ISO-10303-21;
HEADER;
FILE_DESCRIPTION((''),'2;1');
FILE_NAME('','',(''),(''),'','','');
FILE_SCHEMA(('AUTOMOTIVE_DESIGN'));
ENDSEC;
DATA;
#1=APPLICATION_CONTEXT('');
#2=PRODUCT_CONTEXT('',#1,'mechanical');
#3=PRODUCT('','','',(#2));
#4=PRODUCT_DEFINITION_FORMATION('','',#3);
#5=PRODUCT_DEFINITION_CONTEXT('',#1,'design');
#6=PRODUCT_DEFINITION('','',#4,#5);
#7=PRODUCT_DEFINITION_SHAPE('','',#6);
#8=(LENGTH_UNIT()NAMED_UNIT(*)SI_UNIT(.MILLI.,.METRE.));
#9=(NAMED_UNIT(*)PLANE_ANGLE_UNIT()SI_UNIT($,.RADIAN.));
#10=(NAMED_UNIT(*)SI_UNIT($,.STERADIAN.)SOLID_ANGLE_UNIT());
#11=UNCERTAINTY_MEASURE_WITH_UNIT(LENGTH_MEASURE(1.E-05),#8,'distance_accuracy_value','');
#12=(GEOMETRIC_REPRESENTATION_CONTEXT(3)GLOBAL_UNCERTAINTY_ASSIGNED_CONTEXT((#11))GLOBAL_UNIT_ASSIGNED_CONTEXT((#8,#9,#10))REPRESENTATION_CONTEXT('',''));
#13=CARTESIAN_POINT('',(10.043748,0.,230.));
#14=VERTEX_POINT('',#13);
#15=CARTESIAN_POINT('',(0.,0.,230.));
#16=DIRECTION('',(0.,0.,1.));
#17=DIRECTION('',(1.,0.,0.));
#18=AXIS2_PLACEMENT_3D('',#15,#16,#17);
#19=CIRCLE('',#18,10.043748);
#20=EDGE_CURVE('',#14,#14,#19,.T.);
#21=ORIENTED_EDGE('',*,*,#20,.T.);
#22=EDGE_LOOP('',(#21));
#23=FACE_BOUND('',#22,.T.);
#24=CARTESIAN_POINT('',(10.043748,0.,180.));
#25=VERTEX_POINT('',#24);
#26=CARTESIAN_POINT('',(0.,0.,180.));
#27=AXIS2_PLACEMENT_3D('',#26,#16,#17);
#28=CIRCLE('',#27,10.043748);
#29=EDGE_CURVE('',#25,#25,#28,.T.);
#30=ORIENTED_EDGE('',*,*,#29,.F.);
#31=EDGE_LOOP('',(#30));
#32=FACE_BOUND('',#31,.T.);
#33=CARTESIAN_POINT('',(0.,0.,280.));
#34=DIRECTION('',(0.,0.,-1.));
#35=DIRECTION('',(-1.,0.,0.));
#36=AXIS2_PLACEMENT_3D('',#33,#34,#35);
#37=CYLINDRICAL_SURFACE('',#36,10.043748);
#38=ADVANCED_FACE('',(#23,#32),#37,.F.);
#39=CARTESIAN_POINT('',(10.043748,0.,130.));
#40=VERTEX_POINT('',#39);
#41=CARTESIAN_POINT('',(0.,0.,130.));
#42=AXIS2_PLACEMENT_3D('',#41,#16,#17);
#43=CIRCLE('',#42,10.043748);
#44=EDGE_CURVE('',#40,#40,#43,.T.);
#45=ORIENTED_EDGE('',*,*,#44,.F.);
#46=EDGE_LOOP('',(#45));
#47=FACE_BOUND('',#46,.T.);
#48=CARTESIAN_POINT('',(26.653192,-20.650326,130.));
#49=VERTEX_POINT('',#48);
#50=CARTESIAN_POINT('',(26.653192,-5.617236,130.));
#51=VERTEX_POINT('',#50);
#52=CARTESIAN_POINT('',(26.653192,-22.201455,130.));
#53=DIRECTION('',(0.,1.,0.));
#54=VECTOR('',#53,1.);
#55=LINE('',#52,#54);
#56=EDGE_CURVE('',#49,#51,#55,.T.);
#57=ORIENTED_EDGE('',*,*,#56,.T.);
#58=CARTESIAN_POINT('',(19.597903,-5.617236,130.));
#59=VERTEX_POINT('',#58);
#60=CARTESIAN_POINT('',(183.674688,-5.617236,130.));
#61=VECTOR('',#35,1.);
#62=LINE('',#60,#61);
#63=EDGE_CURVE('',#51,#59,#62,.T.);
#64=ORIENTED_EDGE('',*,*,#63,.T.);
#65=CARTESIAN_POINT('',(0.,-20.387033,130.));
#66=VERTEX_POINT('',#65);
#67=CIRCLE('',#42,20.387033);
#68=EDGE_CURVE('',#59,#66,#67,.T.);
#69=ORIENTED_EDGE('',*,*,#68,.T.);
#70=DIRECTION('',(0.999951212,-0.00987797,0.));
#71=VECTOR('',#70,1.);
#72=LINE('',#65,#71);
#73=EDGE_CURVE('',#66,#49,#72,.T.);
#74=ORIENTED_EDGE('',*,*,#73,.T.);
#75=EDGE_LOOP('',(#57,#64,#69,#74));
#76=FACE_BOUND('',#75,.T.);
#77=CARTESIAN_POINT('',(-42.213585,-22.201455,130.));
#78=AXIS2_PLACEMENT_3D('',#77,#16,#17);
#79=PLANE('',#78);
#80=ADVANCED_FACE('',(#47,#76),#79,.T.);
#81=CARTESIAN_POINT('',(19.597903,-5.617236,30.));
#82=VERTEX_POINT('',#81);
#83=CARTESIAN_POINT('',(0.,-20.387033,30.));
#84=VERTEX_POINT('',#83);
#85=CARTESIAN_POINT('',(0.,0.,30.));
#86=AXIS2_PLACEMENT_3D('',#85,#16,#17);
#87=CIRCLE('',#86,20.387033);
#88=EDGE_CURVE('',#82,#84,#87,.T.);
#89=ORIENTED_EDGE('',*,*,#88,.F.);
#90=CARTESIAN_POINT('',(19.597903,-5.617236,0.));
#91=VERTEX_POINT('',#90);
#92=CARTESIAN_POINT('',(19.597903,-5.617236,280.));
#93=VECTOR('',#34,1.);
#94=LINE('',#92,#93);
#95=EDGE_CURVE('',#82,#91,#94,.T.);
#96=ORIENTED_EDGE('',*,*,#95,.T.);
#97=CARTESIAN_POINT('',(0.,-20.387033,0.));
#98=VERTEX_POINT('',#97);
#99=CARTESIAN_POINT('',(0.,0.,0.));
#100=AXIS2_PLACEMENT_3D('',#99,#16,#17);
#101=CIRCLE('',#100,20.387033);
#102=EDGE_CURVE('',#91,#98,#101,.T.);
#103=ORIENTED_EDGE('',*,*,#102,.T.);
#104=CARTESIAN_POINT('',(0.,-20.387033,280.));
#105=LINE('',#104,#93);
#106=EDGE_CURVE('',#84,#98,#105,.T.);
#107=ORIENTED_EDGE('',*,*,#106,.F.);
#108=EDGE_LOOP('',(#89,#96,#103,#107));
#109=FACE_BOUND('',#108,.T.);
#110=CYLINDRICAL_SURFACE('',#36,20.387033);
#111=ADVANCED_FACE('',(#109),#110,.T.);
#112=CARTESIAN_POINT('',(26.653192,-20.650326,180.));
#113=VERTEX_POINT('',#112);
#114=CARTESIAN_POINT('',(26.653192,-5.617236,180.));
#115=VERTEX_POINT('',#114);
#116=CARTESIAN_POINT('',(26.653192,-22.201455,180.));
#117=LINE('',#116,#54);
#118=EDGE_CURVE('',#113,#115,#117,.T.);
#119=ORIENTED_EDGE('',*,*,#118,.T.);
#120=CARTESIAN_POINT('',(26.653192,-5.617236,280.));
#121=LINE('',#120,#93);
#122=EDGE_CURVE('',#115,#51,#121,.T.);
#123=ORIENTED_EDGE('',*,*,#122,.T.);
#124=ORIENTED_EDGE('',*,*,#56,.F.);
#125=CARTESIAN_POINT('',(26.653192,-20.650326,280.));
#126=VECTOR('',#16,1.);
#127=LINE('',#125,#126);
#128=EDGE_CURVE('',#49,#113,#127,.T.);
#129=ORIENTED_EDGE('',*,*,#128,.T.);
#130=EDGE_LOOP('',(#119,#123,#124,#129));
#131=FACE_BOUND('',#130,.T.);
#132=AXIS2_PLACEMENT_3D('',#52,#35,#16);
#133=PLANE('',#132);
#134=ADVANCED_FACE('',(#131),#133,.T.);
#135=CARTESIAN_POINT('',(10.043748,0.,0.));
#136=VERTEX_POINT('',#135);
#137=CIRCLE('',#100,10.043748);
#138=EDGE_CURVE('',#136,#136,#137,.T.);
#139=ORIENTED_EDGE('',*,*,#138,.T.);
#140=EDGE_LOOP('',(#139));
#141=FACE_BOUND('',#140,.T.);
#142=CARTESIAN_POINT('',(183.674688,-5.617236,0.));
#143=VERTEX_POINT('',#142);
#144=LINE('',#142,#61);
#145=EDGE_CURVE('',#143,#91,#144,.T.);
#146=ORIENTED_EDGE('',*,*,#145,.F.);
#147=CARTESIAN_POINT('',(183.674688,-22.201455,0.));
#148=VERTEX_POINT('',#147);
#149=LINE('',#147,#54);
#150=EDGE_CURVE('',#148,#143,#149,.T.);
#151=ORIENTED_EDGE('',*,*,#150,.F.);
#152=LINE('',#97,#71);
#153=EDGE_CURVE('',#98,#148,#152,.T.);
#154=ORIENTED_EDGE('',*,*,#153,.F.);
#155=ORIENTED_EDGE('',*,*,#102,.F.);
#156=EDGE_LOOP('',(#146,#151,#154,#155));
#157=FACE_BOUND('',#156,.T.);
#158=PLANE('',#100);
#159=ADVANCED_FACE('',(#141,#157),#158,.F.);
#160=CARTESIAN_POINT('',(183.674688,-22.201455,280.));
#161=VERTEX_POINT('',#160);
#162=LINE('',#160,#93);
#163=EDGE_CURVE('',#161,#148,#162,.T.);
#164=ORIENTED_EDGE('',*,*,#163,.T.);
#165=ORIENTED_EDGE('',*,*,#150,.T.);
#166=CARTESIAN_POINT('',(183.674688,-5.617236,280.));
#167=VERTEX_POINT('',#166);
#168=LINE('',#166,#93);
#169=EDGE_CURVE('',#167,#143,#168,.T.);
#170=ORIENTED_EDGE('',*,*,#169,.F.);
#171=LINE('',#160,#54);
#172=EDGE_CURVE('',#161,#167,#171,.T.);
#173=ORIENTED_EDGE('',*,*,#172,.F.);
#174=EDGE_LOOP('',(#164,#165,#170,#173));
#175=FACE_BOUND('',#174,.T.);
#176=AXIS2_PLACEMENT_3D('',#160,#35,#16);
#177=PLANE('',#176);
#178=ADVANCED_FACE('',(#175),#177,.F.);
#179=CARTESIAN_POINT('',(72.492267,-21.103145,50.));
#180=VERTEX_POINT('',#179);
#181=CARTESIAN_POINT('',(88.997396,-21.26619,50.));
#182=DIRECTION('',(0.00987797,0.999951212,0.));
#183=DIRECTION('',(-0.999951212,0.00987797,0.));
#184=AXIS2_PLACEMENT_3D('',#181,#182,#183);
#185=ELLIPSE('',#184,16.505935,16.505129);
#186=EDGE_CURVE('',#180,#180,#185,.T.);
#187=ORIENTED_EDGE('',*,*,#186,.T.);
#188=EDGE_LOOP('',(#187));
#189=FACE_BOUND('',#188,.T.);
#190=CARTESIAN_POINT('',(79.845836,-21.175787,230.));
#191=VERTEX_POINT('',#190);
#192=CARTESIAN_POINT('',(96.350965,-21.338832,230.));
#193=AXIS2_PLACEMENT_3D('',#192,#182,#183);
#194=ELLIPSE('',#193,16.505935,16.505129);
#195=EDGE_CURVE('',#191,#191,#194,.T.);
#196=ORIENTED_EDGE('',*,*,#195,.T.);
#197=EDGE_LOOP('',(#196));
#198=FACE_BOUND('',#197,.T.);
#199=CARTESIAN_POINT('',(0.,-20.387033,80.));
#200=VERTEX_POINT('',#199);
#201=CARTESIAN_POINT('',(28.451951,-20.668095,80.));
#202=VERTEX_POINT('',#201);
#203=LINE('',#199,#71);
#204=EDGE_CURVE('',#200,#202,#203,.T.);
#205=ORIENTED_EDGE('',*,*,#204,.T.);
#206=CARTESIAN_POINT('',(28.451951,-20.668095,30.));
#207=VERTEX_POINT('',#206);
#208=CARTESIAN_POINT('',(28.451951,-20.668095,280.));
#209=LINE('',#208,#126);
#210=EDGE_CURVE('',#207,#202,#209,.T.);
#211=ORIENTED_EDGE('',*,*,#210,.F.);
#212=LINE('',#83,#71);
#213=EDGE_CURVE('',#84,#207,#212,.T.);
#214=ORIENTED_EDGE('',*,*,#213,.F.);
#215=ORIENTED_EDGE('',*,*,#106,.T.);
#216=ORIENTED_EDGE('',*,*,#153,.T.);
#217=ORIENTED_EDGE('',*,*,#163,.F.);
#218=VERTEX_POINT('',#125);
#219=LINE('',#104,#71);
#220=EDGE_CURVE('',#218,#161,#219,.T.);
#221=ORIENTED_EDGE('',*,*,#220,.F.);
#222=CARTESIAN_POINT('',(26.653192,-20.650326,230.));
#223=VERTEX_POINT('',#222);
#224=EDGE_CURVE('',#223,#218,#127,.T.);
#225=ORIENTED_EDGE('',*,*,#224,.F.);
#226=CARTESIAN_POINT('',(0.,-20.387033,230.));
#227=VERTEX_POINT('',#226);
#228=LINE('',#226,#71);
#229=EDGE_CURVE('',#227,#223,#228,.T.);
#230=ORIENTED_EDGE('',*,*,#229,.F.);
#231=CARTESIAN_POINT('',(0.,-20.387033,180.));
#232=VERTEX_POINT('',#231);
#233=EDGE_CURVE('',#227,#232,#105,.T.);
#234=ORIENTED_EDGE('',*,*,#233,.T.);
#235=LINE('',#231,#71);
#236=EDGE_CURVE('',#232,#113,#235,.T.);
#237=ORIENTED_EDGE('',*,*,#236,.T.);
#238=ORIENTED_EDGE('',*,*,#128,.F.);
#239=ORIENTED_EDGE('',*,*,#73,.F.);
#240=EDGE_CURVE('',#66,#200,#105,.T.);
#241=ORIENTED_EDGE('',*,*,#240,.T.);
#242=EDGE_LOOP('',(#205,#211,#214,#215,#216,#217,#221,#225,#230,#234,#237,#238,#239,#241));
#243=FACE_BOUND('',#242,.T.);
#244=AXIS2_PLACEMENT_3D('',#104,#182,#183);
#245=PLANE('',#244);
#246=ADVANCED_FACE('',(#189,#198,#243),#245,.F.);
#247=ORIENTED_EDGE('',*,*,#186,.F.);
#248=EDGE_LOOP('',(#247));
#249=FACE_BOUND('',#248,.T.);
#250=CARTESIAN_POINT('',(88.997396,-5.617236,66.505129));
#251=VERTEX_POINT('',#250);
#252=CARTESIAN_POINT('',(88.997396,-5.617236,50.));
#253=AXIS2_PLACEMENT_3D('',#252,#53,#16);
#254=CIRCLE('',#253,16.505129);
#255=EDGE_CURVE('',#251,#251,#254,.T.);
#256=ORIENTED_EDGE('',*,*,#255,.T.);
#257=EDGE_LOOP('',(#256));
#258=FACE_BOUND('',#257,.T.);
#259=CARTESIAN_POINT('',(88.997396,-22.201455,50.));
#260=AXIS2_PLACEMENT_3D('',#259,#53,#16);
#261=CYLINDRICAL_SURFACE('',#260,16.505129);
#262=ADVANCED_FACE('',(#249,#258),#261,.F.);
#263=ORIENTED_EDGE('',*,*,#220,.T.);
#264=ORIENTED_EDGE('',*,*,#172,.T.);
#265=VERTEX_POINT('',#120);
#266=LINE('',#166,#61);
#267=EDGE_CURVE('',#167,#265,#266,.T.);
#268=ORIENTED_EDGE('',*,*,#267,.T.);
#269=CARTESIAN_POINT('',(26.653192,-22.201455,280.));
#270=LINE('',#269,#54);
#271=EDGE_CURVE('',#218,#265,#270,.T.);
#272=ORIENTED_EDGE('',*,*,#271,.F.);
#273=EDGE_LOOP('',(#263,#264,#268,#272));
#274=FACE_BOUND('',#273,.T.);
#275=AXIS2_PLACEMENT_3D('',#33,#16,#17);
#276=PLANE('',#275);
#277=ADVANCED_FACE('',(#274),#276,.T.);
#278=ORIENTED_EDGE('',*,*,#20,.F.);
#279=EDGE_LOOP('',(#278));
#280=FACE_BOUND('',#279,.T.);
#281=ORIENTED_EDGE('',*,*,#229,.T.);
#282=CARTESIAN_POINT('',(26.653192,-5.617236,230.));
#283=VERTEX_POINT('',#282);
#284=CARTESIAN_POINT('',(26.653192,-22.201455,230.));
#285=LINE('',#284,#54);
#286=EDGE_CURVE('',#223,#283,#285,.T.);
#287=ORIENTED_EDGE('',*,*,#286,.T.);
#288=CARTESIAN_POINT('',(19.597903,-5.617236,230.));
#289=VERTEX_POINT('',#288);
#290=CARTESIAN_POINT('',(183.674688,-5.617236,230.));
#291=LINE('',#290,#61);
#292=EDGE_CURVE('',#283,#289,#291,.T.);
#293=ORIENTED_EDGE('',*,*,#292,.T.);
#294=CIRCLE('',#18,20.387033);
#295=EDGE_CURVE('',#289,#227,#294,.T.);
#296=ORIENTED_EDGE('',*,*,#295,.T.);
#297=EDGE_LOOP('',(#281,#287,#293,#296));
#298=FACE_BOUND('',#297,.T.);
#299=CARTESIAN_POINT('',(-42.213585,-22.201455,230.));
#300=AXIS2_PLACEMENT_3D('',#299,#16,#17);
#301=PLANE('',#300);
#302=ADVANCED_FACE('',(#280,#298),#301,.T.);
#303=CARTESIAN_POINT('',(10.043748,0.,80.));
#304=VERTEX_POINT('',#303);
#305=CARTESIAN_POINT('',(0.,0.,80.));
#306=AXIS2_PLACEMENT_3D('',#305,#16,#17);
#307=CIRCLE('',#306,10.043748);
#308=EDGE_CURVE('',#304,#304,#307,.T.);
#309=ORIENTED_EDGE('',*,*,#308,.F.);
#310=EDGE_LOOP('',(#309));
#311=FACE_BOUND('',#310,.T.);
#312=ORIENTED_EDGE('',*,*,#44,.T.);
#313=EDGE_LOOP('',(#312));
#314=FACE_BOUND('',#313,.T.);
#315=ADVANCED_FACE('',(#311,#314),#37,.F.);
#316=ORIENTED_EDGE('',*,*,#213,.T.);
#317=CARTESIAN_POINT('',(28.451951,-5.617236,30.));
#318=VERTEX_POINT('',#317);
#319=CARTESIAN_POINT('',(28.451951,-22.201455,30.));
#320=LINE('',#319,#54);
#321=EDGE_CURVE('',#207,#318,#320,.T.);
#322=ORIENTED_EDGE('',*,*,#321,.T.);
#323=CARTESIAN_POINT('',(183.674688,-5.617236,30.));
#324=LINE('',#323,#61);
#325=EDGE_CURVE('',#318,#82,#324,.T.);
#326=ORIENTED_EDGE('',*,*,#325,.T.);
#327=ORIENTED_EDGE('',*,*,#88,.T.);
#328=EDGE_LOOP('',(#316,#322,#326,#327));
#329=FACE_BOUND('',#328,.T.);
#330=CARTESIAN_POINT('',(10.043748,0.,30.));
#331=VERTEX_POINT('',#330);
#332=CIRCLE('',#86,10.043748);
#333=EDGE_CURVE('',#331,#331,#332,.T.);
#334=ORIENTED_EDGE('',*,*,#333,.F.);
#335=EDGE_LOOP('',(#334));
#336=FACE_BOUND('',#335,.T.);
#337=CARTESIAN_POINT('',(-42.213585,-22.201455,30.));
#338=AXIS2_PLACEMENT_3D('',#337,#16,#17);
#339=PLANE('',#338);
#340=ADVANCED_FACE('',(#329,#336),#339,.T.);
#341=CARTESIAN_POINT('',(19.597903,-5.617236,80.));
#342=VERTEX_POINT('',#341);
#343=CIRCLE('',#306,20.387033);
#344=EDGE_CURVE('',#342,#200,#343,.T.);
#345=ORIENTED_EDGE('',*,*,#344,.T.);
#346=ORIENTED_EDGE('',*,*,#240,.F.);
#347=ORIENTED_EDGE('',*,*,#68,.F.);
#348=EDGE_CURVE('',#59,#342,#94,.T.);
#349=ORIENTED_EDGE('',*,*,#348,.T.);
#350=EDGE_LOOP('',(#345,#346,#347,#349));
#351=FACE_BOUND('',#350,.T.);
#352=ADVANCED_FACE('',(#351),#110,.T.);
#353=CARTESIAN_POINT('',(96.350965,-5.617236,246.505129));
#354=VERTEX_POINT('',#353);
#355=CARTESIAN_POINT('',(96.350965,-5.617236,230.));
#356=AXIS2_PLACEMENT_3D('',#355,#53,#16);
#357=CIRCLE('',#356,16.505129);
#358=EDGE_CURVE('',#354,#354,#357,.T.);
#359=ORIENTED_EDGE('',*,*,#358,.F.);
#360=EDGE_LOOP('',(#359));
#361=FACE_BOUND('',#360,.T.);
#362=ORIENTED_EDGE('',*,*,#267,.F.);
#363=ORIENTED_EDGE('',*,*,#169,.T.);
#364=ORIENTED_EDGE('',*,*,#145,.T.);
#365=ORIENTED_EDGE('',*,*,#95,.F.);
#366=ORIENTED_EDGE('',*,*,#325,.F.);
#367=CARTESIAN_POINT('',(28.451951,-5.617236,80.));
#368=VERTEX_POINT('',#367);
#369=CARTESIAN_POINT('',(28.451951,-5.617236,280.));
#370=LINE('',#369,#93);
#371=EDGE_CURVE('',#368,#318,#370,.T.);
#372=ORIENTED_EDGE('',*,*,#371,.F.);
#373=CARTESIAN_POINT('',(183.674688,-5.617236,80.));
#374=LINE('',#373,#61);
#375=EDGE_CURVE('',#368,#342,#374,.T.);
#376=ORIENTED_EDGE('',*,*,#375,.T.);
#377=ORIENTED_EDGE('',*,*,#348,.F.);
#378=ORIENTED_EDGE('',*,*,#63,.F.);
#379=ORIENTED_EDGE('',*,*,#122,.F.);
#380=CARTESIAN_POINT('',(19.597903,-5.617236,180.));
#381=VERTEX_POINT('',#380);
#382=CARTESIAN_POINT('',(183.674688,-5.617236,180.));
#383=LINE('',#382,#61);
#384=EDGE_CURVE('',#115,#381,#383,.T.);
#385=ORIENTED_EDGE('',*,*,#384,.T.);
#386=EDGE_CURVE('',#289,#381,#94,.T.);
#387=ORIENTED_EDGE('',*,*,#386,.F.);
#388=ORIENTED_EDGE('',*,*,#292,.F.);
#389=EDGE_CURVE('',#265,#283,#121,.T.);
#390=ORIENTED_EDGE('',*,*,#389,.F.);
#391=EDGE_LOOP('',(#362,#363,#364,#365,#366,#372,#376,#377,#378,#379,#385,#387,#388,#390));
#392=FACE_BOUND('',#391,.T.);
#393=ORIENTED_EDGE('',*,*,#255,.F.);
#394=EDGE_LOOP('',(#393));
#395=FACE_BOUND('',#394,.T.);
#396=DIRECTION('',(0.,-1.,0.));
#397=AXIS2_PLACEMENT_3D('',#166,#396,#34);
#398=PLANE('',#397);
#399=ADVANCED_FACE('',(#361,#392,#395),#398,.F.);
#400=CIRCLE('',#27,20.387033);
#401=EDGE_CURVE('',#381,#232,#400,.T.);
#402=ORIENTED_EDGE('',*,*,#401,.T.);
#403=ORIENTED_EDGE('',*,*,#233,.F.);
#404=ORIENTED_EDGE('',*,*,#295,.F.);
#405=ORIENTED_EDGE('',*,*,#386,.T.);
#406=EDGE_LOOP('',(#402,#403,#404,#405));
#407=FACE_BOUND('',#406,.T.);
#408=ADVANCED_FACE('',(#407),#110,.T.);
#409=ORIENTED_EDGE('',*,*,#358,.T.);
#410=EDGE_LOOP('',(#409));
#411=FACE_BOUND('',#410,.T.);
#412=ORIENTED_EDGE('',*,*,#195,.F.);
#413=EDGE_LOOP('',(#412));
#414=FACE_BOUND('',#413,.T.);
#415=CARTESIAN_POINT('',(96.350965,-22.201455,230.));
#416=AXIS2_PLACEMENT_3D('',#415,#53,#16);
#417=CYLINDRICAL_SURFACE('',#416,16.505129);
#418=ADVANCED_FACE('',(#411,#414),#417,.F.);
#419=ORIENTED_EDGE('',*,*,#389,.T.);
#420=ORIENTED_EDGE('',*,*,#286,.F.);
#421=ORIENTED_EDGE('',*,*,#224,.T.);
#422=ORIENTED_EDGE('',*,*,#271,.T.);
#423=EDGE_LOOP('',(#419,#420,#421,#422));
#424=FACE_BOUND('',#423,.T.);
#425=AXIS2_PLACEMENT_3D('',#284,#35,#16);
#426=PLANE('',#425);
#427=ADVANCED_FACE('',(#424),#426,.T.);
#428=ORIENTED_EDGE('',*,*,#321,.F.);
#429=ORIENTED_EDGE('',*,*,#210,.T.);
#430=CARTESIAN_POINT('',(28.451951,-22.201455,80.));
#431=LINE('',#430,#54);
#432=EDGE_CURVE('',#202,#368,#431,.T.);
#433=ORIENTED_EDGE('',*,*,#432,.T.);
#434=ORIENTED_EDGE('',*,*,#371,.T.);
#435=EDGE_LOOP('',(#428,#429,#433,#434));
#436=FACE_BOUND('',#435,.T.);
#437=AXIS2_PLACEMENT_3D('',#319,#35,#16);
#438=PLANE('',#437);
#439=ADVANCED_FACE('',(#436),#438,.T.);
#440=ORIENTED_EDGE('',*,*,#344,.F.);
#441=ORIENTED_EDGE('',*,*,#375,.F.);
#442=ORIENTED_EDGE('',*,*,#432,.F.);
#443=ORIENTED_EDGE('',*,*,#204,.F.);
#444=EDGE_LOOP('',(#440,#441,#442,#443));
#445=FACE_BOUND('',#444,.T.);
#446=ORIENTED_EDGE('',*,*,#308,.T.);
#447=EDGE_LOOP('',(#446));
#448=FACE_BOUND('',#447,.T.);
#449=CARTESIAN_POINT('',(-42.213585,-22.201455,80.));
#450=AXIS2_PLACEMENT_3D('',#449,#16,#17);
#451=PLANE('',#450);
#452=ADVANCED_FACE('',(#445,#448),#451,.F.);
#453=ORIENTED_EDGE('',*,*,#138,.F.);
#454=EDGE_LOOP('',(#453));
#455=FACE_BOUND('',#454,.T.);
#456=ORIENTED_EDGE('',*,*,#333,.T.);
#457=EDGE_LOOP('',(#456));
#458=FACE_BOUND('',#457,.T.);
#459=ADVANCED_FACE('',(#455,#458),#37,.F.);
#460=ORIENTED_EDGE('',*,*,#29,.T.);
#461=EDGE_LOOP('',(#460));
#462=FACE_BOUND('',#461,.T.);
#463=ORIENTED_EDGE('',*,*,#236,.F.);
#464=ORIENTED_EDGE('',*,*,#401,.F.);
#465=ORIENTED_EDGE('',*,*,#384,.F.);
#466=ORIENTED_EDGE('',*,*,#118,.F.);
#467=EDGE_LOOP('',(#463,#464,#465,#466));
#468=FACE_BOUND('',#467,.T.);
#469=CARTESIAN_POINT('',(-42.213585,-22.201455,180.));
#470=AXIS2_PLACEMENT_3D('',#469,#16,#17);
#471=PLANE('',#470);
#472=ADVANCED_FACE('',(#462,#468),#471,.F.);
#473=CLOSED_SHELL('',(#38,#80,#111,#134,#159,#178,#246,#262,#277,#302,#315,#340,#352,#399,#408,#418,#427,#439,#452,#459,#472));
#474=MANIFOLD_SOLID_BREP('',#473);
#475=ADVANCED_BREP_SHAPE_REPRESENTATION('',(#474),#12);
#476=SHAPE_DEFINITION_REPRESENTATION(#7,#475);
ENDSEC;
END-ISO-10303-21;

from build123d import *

# Parameters (mm, degrees)
SKETCH_25_R              = 10.043747569
EXTRUDE_13_DEPTH         = 280
SKETCH_26_R              = 16.505129475
CUT_EXTRUDE_3_DEPTH      = 336.875889274
CUT_EXTRUDE_4_DEPTH      = 336.875889274
CUT_EXTRUDE_4_DEPTH_BACK = 336.875889274
SKETCH_27_W              = 70.665536313
SKETCH_27_H              = 50
SKETCH_27_W_2            = 68.866777207


with BuildPart() as part:
    # 草图25 → 凸台-拉伸13 (new body)
    with BuildSketch(Plane.XY):
        with BuildLine():
            Line((0, -20.387033345), (183.674687946, -22.201454999))
            Line((183.674687946, -22.201454999), (183.674687946, -5.617235602))
            Line((183.674687946, -5.617235602), (19.597902766, -5.617235602))
            ThreePointArc((19.597902766, -5.617235602), (-12.27013364, 16.281122476), (0, -20.387033345))
        make_face()
        Circle(SKETCH_25_R, mode=Mode.SUBTRACT)
    extrude(amount=EXTRUDE_13_DEPTH)

    # 草图26 → 切除-拉伸3 (cut, through all)
    with BuildSketch(Plane(origin=(0, -5.617235602, 0), x_dir=(1, 0, 0), z_dir=(0, 1, 0))):
        with Locations(Location((88.997396182, -50, 0), (0, 0, 270))):
            Circle(SKETCH_26_R)
        with Locations(Location((96.350965064, -230, 0), (0, 0, 270))):
            Circle(SKETCH_26_R)
    extrude(amount=-CUT_EXTRUDE_3_DEPTH, mode=Mode.SUBTRACT)

    # 草图27 → 切除-拉伸4 (cut, two sides: drawn at the far end of the back side and taken through both)
    with BuildSketch(Plane(origin=(0, -5.617235602, 0), x_dir=(1, 0, 0), z_dir=(0, 1, 0)).offset(-CUT_EXTRUDE_4_DEPTH_BACK)):
        with Locations((-6.880817282, -55)):
            Rectangle(SKETCH_27_W, SKETCH_27_H)
        with Locations((-7.780196834, -155)):
            Rectangle(SKETCH_27_W_2, SKETCH_27_H)
        with Locations((-7.780196834, -255)):
            Rectangle(SKETCH_27_W_2, SKETCH_27_H)
    extrude(amount=CUT_EXTRUDE_4_DEPTH + CUT_EXTRUDE_4_DEPTH_BACK, mode=Mode.SUBTRACT)


solid = part.part
